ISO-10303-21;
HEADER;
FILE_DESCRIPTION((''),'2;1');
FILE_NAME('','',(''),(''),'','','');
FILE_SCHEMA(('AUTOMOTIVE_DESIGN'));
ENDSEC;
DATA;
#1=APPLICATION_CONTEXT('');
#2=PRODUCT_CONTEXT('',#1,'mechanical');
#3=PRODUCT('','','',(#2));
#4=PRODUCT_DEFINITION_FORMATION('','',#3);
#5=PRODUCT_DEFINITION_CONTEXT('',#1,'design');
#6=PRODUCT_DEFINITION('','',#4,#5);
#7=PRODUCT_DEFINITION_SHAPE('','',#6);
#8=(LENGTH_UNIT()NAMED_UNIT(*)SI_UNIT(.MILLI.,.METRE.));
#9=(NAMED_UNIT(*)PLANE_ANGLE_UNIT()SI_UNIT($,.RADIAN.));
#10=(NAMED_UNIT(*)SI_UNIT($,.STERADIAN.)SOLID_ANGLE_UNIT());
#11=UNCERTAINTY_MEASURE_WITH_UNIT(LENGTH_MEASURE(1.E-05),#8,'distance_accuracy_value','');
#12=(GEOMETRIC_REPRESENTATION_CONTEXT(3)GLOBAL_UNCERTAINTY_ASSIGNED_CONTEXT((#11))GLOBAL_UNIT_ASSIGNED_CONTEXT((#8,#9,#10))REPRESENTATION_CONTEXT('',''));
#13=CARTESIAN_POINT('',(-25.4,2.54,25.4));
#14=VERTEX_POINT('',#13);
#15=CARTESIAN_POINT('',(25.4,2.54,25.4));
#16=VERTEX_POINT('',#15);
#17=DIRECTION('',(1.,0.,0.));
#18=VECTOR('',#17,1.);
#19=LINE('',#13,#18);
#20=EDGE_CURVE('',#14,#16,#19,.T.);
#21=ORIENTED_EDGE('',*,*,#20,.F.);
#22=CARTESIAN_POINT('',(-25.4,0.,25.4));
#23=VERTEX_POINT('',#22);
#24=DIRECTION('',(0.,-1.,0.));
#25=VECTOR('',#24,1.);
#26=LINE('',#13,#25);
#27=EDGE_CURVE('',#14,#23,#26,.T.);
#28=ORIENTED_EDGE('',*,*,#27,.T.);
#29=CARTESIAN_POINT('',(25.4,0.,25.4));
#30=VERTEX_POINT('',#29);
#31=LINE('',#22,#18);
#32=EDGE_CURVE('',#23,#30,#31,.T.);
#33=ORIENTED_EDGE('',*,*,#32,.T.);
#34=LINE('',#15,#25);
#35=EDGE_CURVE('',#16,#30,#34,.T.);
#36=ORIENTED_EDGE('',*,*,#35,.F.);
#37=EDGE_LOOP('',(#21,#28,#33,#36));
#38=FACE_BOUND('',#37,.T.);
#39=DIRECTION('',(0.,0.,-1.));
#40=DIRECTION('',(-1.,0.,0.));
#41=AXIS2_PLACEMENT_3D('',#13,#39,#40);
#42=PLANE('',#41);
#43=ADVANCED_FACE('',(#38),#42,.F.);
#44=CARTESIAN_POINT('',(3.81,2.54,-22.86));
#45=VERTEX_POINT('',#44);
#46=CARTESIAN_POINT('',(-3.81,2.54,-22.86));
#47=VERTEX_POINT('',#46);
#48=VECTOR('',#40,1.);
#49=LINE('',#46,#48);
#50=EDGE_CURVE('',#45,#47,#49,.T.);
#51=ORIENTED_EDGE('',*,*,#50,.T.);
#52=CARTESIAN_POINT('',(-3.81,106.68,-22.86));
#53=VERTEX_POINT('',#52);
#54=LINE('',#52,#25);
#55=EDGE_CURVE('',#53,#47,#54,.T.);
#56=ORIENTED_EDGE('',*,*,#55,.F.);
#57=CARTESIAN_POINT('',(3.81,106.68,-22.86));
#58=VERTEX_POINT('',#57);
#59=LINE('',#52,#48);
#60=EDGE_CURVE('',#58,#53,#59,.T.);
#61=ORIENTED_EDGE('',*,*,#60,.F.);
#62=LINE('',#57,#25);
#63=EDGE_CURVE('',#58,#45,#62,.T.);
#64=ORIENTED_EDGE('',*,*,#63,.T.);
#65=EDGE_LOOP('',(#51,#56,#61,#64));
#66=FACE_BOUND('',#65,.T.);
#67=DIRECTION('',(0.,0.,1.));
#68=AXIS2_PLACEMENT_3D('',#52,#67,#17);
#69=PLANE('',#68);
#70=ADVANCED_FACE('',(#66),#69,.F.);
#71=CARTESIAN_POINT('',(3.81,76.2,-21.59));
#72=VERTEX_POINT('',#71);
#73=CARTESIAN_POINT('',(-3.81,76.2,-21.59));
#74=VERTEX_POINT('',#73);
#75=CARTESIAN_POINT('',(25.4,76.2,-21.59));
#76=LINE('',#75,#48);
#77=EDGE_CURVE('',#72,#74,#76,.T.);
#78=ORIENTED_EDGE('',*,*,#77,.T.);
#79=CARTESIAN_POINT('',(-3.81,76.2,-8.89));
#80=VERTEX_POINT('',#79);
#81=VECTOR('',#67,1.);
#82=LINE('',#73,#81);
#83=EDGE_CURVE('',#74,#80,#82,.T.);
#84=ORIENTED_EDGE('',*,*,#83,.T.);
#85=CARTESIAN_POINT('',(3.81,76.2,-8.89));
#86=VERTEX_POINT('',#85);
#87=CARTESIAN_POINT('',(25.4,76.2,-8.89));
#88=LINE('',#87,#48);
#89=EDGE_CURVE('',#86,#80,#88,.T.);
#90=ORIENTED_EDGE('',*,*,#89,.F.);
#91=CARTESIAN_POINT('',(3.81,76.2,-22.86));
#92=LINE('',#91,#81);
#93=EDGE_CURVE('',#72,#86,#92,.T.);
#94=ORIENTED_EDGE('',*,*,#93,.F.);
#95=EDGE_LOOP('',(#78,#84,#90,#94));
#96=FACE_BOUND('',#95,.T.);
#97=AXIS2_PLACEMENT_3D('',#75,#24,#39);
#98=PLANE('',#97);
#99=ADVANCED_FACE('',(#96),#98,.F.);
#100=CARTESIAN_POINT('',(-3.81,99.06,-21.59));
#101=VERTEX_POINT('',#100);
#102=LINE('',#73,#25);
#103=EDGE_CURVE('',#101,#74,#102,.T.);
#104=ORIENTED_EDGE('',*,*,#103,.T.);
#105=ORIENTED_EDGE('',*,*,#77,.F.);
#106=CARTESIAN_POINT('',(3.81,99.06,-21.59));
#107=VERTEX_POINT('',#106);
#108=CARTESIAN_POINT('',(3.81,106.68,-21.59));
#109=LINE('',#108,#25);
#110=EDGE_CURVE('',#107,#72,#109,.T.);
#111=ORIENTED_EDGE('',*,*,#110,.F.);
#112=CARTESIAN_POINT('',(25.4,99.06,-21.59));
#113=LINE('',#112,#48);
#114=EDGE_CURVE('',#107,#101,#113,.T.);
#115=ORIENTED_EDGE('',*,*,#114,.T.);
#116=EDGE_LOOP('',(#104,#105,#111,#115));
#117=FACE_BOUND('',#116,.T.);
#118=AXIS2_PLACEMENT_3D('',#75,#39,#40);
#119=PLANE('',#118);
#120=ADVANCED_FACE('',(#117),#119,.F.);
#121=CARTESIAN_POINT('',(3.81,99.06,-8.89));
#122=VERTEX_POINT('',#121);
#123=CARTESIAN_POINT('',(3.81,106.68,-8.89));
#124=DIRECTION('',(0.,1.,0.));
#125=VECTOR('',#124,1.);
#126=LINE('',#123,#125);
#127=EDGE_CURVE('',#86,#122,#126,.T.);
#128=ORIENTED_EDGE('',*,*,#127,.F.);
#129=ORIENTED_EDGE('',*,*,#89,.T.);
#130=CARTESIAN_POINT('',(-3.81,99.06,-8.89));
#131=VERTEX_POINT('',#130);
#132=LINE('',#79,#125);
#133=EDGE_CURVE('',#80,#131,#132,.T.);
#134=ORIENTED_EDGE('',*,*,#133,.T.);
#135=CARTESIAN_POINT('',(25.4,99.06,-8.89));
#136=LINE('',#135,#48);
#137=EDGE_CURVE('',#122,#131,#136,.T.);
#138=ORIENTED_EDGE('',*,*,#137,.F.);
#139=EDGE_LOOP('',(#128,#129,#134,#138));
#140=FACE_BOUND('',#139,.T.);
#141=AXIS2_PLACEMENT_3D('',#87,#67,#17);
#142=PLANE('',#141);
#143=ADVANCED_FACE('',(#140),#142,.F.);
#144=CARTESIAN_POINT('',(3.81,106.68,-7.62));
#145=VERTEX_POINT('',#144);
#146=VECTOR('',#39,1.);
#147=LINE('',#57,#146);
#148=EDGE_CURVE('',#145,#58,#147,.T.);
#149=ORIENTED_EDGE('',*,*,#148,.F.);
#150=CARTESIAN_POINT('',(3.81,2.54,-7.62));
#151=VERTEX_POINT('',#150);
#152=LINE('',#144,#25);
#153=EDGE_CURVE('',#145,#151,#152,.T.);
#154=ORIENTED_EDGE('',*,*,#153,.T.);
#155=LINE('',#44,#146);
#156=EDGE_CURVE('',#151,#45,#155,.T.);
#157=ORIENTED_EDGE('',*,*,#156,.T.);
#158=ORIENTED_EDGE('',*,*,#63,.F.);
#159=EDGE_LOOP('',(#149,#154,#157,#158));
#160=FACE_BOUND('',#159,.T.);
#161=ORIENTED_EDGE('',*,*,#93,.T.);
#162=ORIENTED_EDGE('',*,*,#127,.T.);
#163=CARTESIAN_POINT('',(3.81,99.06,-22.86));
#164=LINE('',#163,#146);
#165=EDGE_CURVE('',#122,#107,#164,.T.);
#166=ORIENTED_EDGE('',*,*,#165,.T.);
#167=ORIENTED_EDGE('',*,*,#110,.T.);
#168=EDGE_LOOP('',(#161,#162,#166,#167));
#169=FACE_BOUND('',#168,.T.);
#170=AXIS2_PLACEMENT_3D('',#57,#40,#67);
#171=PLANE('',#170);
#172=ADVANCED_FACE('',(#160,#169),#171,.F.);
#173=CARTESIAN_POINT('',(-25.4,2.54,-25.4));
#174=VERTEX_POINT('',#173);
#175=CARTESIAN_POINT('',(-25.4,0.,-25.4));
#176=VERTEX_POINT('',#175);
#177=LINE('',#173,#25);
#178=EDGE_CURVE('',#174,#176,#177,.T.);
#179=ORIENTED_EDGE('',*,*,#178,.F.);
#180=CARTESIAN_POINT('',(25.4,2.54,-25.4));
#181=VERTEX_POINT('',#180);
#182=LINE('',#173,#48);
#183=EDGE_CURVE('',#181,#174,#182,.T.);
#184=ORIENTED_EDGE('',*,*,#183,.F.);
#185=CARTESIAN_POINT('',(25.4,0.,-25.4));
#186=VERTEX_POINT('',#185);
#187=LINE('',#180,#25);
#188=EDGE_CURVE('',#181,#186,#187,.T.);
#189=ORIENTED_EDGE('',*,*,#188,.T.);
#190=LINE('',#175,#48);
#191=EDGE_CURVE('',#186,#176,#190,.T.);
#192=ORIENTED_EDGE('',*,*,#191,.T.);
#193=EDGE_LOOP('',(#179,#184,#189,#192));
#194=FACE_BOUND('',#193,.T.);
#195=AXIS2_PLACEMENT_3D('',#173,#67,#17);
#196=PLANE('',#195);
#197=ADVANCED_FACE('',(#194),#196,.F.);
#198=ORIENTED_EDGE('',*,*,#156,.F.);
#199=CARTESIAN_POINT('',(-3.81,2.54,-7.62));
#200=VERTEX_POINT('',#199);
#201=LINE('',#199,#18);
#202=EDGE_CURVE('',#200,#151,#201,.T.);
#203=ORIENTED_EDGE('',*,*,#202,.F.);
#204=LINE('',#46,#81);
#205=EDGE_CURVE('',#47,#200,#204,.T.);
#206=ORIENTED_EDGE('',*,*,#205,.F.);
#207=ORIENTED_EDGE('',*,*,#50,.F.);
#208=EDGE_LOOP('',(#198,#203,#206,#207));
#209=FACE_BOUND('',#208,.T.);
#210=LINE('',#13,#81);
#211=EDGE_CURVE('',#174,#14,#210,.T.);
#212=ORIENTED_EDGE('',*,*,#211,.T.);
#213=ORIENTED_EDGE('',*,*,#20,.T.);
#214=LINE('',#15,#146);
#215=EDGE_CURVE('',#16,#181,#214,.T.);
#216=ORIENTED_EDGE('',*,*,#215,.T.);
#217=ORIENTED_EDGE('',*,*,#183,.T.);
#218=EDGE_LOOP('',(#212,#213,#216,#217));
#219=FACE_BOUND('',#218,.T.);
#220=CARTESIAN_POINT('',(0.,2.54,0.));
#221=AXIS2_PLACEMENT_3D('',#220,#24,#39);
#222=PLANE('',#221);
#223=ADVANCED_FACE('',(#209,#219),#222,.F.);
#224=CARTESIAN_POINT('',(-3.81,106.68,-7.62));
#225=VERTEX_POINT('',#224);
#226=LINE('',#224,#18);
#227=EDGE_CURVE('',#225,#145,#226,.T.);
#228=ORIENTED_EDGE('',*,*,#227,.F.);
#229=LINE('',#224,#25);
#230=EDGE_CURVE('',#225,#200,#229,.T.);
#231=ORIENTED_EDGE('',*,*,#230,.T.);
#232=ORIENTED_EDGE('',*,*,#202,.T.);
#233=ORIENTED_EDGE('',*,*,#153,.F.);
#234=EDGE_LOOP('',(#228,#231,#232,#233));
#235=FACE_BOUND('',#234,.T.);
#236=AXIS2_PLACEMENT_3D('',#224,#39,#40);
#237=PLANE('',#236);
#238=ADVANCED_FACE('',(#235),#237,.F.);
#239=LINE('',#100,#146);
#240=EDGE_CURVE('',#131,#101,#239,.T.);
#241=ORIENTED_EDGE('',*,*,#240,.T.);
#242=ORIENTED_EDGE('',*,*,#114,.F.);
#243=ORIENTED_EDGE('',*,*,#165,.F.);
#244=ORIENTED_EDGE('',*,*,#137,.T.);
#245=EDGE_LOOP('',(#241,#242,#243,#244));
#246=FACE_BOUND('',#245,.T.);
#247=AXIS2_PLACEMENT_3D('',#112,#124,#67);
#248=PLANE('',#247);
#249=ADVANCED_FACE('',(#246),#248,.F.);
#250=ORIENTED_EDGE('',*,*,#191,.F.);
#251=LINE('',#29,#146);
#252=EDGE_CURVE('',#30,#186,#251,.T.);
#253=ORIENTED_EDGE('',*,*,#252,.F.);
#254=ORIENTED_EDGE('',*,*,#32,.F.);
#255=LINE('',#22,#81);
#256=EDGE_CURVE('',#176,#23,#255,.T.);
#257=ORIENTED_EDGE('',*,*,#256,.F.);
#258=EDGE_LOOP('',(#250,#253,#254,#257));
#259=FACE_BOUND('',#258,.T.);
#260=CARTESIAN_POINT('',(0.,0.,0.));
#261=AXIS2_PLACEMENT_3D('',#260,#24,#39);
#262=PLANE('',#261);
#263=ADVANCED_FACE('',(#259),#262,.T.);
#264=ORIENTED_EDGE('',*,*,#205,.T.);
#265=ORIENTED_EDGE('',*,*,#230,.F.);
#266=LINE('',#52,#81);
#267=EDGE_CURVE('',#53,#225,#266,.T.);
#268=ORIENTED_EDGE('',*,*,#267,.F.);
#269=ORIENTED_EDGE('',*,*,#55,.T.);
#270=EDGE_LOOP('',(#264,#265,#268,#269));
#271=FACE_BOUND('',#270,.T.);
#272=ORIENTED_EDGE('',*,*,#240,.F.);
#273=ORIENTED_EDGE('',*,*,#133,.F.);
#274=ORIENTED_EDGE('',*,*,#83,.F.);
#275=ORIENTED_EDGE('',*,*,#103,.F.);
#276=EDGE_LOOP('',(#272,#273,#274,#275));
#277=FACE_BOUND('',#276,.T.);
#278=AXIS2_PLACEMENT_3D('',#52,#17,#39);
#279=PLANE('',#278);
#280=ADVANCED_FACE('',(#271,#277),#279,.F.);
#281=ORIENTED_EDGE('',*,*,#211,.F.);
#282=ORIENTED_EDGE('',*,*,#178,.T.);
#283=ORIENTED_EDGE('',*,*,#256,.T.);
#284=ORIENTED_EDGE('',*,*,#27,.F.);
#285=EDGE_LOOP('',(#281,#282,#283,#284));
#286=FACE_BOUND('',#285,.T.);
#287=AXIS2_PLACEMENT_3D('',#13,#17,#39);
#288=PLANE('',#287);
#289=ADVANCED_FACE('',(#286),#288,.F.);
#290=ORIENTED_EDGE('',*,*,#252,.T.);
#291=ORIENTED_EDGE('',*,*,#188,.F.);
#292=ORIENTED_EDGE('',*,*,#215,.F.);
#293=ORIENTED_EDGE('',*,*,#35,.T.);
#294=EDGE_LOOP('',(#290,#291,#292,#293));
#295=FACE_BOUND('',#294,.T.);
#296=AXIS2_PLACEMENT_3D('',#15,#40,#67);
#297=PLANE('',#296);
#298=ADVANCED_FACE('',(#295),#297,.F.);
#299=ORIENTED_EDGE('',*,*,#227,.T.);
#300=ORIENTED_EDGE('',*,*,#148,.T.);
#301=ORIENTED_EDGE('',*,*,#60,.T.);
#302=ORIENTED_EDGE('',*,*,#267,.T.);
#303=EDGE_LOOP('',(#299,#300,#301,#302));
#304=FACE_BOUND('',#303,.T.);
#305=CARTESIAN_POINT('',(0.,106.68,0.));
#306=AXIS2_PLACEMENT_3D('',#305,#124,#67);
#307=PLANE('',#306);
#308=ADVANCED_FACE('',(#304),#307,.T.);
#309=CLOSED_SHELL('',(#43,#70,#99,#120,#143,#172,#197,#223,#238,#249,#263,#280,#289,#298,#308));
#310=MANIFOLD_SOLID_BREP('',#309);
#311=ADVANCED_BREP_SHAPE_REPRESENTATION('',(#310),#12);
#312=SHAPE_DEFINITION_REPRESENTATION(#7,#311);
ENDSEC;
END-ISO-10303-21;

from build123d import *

# Parameters (mm, degrees)
SKETCH1_W           = 50.8
SKETCH1_H           = 50.8
BOSS_EXTRUDE1_DEPTH = 2.54
SKETCH2_W           = 7.62
SKETCH2_H           = 15.24
BOSS_EXTRUDE2_DEPTH = 104.14
SKETCH3_W           = 12.7
SKETCH3_H           = 22.86
CUT_EXTRUDE1_DEPTH  = 114.485710554


with BuildPart() as part:
    # Sketch1 → Boss-Extrude1 (new body)
    with BuildSketch(Plane(origin=(0, 0, 0), x_dir=(1, 0, 0), z_dir=(0, 1, 0))):
        Rectangle(SKETCH1_W, SKETCH1_H)
    extrude(amount=BOSS_EXTRUDE1_DEPTH)

    # Sketch2 → Boss-Extrude2 (add)
    with BuildSketch(Plane(origin=(0, 2.54, 0), x_dir=(1, 0, 0), z_dir=(0, 1, 0))):
        with Locations((0, 15.24)):
            Rectangle(SKETCH2_W, SKETCH2_H)
    extrude(amount=BOSS_EXTRUDE2_DEPTH)

    # Sketch3 → Cut-Extrude1 (cut, through all)
    with BuildSketch(Plane.ZY.offset(3.81)):
        with Locations((-15.24, 87.63)):
            Rectangle(SKETCH3_W, SKETCH3_H)
    extrude(amount=-CUT_EXTRUDE1_DEPTH, mode=Mode.SUBTRACT)


solid = part.part
